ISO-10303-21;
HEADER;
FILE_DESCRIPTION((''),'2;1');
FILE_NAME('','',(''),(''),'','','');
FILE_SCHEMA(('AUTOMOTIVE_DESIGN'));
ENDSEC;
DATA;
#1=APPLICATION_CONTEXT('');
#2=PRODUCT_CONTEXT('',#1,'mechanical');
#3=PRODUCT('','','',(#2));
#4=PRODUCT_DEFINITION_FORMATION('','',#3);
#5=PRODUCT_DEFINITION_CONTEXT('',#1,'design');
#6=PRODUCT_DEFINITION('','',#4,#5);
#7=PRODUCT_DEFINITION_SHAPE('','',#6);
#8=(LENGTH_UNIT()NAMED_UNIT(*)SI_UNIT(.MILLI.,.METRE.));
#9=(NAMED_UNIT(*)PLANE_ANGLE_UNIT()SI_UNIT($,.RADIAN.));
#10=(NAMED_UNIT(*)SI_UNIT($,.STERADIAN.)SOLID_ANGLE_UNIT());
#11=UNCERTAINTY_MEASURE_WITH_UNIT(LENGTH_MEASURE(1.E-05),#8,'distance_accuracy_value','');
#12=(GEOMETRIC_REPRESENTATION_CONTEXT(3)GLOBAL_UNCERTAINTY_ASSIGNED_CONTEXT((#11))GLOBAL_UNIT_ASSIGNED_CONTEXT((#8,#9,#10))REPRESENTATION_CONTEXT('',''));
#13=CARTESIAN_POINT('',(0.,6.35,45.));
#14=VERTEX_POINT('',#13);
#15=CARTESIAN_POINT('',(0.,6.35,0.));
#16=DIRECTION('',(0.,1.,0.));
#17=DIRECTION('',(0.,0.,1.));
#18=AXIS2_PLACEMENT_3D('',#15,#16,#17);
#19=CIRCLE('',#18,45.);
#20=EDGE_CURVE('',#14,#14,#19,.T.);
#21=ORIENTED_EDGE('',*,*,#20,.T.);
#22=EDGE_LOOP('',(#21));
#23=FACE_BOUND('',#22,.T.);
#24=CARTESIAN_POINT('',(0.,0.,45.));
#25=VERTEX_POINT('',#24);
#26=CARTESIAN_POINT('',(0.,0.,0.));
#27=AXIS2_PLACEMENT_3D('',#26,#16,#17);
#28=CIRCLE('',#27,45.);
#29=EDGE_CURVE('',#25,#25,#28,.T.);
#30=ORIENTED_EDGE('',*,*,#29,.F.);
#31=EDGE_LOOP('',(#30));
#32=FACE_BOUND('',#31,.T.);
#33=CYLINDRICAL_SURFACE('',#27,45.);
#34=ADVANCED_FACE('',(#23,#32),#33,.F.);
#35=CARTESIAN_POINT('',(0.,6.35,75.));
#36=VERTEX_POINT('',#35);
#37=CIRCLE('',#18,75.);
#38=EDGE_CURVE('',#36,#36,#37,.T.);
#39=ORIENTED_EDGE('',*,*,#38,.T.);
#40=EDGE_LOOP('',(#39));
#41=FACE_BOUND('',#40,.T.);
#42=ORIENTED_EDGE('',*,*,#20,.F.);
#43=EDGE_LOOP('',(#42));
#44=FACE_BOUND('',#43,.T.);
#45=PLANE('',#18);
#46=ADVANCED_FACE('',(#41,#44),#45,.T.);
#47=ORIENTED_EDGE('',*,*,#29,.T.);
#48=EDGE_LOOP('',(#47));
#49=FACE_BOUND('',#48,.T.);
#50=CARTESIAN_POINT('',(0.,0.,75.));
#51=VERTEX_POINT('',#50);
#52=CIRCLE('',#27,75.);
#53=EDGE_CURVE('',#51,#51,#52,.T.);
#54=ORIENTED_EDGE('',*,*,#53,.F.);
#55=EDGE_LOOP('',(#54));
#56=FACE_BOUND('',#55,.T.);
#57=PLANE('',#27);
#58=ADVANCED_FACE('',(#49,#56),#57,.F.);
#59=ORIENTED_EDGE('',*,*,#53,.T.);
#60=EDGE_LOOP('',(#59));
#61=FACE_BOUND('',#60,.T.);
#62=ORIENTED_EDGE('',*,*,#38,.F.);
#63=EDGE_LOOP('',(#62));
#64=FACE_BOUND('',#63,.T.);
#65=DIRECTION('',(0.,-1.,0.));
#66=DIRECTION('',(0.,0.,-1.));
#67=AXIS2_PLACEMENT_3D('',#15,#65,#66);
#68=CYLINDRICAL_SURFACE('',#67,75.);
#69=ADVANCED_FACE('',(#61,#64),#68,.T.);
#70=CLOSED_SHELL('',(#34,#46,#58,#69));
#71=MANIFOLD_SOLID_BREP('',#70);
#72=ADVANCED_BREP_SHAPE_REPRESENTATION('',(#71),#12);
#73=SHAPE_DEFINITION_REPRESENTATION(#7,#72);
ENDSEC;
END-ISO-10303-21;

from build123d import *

# Parameters (mm, degrees)
SKETCH1_R           = 75
BOSS_EXTRUDE1_DEPTH = 6.35
SKETCH2_R           = 45
CUT_EXTRUDE1_DEPTH  = 107.255929246


with BuildPart() as part:
    # Sketch1 → Boss-Extrude1 (new body)
    with BuildSketch(Plane(origin=(0, 0, 0), x_dir=(1, 0, 0), z_dir=(0, 1, 0))):
        with Locations(Location((0, 0, 0), (0, 0, 270))):
            Circle(SKETCH1_R)
    extrude(amount=BOSS_EXTRUDE1_DEPTH)

    # Sketch2 → Cut-Extrude1 (cut, through all)
    with BuildSketch(Plane(origin=(0, 6.35, 0), x_dir=(1, 0, 0), z_dir=(0, 1, 0))):
        with Locations(Location((0, 0, 0), (0, 0, 270))):
            Circle(SKETCH2_R)
    extrude(amount=-CUT_EXTRUDE1_DEPTH, mode=Mode.SUBTRACT)


solid = part.part
